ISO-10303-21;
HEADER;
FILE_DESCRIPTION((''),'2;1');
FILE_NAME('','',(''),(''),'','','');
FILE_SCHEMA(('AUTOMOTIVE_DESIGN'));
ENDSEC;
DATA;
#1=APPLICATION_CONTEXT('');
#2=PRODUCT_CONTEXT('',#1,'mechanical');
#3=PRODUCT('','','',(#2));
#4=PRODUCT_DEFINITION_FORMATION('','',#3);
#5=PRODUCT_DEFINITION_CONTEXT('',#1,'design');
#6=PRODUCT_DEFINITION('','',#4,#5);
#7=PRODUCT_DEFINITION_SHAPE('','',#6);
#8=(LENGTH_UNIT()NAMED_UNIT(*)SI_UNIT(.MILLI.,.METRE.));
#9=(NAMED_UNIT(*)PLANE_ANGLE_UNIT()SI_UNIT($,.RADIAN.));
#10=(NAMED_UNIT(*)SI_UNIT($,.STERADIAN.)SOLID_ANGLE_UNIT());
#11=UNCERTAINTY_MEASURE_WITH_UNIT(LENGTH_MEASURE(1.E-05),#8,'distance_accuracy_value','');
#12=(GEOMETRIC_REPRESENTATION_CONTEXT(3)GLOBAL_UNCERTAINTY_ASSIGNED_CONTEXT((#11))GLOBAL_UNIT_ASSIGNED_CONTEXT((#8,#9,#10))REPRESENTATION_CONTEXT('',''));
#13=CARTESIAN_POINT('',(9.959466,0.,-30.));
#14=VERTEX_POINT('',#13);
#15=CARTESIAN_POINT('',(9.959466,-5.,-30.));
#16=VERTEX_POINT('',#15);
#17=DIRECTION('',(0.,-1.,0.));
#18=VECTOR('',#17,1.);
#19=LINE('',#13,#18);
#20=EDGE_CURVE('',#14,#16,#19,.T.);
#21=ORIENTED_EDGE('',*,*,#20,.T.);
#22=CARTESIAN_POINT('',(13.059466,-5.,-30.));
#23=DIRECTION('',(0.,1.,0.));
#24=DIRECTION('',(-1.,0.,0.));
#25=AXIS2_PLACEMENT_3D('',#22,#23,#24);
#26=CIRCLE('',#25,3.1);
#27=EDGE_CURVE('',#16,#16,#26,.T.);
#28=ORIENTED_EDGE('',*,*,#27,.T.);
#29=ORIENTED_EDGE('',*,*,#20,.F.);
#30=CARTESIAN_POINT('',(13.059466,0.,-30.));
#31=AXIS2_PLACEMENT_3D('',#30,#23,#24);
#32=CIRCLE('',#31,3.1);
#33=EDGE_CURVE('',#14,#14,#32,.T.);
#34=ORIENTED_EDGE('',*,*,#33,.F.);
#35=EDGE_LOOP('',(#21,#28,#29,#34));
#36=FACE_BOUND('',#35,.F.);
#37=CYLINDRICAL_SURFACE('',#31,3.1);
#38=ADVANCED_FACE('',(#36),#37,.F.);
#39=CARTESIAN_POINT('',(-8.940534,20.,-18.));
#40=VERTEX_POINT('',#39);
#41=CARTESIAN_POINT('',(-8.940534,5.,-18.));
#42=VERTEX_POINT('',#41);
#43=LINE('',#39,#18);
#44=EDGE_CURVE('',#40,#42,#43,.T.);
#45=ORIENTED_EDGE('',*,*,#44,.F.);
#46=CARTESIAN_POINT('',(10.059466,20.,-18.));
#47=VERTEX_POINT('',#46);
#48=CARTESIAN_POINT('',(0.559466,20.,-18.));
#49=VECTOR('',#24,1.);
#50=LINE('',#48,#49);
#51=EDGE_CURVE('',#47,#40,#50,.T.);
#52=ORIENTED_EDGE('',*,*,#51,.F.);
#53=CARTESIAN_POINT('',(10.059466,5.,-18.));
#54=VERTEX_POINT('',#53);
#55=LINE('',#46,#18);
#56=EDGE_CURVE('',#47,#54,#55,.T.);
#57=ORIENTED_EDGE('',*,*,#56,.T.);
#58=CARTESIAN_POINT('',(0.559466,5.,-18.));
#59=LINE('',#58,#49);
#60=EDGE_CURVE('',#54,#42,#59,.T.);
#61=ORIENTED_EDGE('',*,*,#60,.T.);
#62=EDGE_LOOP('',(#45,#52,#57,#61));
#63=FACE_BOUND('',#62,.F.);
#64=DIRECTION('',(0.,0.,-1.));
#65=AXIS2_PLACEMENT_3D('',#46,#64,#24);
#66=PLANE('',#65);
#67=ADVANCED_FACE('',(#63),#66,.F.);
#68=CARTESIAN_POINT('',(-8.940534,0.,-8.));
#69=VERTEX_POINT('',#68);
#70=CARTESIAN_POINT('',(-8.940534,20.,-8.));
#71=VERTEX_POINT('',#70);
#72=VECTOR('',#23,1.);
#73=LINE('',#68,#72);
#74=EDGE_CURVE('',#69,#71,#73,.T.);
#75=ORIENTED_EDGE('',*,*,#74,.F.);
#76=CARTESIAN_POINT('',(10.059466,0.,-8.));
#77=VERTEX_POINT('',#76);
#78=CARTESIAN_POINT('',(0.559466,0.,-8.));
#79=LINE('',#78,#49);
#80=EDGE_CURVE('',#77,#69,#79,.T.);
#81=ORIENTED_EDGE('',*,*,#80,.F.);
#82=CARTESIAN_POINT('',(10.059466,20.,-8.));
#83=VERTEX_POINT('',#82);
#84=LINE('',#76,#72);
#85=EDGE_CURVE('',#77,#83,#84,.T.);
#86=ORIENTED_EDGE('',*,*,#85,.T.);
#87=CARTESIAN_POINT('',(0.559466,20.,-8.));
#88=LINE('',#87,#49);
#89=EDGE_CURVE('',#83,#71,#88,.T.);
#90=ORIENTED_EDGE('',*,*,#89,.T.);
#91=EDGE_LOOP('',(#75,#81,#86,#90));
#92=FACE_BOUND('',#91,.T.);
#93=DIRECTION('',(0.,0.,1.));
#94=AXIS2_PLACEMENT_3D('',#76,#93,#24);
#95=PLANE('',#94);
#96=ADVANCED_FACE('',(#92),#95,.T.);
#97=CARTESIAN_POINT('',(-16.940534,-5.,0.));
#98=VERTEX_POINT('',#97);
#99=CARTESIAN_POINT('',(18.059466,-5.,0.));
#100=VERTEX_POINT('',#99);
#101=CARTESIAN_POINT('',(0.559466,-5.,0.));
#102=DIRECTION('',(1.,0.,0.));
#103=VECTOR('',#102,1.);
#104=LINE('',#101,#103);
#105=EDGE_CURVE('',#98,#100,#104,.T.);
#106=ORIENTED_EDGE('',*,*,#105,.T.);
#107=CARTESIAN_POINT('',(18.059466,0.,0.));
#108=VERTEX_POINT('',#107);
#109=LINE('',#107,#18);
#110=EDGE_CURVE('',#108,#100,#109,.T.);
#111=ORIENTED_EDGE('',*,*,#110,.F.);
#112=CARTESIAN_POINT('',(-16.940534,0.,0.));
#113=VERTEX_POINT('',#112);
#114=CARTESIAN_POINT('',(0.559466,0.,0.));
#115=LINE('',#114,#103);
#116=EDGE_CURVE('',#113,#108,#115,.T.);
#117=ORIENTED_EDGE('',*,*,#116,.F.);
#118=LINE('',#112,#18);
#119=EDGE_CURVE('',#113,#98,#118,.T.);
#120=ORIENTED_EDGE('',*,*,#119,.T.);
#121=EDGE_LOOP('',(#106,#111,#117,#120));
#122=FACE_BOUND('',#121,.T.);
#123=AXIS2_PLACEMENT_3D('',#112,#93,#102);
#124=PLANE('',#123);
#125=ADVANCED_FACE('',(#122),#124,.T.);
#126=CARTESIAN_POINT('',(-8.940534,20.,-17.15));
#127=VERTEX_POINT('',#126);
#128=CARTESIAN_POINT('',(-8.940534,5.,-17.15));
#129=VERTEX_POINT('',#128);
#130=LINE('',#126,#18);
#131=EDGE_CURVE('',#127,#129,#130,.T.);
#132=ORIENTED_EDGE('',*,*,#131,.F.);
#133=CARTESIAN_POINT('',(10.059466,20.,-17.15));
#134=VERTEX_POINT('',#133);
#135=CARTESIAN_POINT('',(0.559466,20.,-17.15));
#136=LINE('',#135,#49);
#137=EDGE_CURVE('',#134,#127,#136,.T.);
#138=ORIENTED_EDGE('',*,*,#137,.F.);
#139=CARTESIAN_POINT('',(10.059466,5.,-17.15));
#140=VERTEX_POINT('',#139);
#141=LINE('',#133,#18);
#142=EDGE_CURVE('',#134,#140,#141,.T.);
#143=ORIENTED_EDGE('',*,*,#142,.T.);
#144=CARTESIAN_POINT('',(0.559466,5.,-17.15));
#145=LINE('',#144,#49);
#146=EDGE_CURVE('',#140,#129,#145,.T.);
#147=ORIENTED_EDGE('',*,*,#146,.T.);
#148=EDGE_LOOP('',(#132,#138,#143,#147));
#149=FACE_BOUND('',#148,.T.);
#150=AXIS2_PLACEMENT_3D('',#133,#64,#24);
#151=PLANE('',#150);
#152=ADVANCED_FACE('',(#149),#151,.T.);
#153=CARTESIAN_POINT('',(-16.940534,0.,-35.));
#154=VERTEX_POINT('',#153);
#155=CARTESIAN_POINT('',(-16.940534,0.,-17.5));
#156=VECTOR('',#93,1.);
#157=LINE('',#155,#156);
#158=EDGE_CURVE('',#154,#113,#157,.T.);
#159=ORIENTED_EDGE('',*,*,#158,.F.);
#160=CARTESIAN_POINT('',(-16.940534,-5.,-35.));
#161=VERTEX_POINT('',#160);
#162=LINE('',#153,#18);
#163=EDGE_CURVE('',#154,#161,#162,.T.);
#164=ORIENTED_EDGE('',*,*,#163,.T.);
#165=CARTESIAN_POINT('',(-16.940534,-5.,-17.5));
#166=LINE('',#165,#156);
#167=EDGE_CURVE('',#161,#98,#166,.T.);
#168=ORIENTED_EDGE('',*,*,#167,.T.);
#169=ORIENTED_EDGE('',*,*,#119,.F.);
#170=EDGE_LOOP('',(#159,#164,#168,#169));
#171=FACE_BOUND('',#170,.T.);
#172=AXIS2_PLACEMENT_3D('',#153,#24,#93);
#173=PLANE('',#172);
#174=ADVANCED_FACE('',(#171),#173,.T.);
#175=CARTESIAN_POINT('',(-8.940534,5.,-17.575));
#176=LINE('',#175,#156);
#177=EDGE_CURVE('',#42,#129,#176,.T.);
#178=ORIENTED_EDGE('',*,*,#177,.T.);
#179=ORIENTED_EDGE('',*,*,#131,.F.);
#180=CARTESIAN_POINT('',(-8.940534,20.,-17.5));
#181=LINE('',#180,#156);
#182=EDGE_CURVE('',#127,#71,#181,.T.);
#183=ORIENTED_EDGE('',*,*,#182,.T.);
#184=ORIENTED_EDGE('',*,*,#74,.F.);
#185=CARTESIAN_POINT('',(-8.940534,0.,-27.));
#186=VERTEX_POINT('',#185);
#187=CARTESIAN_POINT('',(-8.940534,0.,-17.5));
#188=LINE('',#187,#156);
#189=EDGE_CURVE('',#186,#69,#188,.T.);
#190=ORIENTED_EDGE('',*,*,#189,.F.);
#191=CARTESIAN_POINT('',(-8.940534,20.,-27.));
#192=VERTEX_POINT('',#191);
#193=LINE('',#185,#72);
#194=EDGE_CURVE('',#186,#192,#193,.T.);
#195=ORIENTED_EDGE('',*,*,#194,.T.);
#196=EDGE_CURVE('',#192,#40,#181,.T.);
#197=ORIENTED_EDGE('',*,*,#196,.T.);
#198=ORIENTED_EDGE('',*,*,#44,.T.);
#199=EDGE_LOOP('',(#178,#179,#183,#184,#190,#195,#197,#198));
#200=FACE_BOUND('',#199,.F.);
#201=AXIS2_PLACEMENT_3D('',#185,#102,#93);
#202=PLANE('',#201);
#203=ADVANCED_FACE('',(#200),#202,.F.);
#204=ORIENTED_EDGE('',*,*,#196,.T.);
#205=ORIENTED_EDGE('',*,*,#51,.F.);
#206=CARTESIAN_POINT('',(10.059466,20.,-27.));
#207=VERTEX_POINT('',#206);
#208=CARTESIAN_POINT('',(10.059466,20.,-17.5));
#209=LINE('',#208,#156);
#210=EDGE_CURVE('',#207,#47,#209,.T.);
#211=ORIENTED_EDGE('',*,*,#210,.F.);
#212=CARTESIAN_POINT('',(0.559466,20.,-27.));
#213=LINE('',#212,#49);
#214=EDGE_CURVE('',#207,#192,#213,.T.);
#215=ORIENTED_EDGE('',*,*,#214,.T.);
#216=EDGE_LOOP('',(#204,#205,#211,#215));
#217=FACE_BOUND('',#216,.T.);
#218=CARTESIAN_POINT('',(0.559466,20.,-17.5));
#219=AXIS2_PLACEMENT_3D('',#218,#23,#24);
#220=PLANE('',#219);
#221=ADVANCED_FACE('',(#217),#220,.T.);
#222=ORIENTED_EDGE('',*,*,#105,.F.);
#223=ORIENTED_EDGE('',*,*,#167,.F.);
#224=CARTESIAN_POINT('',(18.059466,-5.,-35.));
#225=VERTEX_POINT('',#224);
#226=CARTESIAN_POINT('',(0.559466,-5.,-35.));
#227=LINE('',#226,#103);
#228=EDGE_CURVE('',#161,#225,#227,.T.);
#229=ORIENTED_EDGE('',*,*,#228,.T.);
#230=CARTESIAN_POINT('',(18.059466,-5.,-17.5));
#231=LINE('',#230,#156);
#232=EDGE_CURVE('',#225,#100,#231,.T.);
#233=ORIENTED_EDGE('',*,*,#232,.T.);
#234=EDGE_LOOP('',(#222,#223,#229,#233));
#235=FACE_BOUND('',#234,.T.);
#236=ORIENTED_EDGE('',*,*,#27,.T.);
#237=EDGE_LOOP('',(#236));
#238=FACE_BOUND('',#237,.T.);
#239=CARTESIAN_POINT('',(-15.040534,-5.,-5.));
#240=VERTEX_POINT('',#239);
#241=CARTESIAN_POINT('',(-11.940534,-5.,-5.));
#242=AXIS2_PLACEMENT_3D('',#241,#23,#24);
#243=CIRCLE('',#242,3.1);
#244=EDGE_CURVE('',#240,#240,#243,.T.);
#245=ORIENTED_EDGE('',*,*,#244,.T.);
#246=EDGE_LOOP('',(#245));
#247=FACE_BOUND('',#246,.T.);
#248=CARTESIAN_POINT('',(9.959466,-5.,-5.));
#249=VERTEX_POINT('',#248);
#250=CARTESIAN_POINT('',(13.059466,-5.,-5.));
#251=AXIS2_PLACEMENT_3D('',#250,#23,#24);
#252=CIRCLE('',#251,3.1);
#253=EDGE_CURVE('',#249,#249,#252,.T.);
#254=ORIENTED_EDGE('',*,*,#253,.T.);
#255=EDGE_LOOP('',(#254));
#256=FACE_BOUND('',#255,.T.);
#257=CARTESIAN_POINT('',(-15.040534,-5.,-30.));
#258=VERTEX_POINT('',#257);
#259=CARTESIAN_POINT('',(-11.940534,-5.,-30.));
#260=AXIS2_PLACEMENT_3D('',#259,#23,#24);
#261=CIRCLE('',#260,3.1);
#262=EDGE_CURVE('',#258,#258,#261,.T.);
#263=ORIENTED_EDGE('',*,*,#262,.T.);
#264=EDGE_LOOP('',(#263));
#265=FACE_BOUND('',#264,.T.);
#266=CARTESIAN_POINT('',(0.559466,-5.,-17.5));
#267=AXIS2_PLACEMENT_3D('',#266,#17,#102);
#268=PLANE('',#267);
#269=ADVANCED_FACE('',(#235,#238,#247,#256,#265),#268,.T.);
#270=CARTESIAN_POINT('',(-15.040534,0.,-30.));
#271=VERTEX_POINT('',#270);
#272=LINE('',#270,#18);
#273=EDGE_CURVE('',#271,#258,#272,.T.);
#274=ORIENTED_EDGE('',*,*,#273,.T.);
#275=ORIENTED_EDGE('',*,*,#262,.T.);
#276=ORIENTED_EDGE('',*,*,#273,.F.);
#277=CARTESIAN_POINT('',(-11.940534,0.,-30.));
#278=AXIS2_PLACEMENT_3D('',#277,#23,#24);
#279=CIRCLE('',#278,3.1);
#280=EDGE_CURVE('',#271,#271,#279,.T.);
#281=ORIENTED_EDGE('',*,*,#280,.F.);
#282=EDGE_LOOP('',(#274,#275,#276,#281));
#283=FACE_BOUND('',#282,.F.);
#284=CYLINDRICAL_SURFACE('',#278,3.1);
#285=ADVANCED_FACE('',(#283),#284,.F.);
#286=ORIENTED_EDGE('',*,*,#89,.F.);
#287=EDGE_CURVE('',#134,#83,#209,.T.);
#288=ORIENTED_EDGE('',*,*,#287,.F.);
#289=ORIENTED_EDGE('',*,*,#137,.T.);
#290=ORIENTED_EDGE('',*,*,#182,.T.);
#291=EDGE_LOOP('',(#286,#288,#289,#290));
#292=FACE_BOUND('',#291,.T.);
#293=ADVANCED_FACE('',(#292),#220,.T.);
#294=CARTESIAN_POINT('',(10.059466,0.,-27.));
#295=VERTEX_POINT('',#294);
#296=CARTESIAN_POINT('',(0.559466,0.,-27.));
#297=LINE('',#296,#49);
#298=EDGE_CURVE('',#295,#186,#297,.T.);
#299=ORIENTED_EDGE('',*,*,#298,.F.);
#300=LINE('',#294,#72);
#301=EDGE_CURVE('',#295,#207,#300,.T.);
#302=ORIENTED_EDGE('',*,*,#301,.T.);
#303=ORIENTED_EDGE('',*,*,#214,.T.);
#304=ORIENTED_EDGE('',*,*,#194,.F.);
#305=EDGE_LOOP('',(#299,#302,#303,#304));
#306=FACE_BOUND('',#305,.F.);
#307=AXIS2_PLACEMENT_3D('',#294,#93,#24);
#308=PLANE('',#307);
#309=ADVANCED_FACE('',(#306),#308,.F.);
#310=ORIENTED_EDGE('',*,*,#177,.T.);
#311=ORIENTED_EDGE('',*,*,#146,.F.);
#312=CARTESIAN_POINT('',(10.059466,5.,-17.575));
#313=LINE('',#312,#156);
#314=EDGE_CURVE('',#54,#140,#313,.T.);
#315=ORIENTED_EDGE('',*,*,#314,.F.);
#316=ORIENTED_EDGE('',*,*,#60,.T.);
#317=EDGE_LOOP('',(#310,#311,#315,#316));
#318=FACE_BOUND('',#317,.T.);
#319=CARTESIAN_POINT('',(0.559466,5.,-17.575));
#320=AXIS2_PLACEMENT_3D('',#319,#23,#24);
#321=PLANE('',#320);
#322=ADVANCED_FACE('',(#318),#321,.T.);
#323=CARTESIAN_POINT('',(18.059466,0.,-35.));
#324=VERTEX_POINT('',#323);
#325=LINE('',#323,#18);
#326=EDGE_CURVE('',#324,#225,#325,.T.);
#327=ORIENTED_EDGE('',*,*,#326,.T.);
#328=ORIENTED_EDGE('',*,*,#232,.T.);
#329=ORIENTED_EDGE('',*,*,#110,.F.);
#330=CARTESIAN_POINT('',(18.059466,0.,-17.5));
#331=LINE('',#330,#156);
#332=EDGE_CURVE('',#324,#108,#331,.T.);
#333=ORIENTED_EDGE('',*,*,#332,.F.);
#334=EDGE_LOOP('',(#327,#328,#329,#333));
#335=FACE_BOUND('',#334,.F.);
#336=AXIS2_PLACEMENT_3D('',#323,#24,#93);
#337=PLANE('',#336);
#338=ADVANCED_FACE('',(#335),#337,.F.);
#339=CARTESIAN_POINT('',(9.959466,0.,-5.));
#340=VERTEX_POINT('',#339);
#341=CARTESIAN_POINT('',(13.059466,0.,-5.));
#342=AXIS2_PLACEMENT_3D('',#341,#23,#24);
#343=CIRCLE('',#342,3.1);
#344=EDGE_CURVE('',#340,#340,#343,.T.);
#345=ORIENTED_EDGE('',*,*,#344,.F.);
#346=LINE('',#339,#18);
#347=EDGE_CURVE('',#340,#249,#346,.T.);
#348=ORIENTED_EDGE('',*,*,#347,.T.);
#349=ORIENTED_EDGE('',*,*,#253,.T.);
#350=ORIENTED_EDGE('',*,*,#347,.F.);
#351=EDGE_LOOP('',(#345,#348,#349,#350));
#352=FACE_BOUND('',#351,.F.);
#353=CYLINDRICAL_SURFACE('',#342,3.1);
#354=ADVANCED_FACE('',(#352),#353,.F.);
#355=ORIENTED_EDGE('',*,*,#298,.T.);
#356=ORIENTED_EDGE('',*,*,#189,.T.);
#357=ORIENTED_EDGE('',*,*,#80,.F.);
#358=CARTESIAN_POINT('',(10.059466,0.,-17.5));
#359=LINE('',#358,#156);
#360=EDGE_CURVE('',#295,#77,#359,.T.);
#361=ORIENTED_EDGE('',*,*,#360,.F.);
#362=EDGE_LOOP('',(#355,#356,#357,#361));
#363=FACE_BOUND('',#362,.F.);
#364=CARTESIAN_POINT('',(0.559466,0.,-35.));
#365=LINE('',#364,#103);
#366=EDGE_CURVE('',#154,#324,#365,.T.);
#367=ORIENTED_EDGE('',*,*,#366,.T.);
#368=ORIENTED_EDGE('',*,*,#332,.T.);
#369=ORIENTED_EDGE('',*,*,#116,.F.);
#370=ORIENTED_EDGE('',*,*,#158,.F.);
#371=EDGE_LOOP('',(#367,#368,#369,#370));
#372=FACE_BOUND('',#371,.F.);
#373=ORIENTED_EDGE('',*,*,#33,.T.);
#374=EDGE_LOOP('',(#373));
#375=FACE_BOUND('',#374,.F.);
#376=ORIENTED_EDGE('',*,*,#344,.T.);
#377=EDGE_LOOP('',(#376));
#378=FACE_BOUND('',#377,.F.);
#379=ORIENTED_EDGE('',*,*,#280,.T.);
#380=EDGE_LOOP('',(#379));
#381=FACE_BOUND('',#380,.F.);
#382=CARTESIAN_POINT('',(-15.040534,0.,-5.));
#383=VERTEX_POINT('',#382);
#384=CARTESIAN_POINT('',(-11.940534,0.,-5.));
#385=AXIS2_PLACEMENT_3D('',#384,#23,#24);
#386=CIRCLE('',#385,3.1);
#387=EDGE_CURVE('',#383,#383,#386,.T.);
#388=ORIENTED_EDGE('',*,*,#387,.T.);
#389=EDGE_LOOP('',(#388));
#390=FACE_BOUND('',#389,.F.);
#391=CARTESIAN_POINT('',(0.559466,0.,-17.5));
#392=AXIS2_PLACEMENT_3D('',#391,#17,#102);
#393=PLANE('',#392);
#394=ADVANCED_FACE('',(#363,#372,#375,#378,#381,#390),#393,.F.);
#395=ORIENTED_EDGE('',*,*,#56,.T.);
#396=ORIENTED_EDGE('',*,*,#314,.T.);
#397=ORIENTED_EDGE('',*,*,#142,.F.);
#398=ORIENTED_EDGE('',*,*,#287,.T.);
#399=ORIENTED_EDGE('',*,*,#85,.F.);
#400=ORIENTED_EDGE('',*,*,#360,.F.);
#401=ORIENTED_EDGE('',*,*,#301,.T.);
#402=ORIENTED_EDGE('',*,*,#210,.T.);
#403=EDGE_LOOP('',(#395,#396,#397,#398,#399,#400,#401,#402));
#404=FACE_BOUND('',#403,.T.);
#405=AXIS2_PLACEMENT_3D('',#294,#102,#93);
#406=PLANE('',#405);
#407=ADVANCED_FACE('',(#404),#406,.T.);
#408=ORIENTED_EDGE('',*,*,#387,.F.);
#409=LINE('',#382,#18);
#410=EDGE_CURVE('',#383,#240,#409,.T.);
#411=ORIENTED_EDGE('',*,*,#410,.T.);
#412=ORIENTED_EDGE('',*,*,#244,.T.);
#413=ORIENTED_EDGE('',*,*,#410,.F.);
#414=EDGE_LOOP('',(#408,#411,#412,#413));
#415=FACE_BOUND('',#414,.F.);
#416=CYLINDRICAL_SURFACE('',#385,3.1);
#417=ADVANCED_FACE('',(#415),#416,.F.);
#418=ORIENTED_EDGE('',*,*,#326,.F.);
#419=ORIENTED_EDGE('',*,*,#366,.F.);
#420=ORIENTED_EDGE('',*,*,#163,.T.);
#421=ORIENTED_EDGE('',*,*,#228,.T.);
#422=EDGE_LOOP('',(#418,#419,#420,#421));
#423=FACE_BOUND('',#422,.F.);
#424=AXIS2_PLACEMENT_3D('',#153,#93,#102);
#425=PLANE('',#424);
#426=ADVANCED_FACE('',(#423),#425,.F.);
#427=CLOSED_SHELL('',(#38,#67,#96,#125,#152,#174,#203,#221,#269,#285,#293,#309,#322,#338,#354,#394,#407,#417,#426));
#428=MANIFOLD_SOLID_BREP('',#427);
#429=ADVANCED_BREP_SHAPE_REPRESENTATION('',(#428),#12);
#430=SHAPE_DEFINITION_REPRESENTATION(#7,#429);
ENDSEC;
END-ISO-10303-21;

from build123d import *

# Parameters (mm, degrees)
F0_W     = 35
F0_H     = 35
F1_DEPTH = 5
F2_R     = 3.1
F3_DEPTH = 5.001
F4_W     = 19
F4_H     = 19
F5_DEPTH = 20
F6_W     = 19
F6_H     = 0.85
F7_DEPTH = 15


with BuildPart() as f1:
    # F0 (on Front) → F1 (new body)
    with BuildSketch(Plane.XZ):
        with Locations((0.559466, -17.5)):
            Rectangle(F0_W, F0_H)
    extrude(amount=F1_DEPTH)

    # F2 (on face) → F3 (cut, through all)
    with BuildSketch(Plane(origin=(0, 0, 0), x_dir=(-1, 0, 0), z_dir=(0, 1, 0))):
        with Locations((-13.059466, -5)):
            Circle(F2_R)
        with Locations((11.940534, -5)):
            Circle(F2_R)
        with Locations((-13.059466, -30)):
            Circle(F2_R)
        with Locations((11.940534, -30)):
            Circle(F2_R)
    extrude(amount=-F3_DEPTH, mode=Mode.SUBTRACT)

    # F4 (on face) → F5 (join)
    with BuildSketch(Plane(origin=(0, 0, 0), x_dir=(-1, 0, 0), z_dir=(0, 1, 0))):
        with Locations((-0.559466, -17.5)):
            Rectangle(F4_W, F4_H)
    extrude(amount=F5_DEPTH)

    # F6 (on face) → F7 (cut)
    with BuildSketch(Plane(origin=(0, 20, 0), x_dir=(-1, 0, 0), z_dir=(0, 1, 0))):
        with Locations((-0.559466, -17.575)):
            Rectangle(F6_W, F6_H)
    extrude(amount=-F7_DEPTH, mode=Mode.SUBTRACT)


solid = f1.part
